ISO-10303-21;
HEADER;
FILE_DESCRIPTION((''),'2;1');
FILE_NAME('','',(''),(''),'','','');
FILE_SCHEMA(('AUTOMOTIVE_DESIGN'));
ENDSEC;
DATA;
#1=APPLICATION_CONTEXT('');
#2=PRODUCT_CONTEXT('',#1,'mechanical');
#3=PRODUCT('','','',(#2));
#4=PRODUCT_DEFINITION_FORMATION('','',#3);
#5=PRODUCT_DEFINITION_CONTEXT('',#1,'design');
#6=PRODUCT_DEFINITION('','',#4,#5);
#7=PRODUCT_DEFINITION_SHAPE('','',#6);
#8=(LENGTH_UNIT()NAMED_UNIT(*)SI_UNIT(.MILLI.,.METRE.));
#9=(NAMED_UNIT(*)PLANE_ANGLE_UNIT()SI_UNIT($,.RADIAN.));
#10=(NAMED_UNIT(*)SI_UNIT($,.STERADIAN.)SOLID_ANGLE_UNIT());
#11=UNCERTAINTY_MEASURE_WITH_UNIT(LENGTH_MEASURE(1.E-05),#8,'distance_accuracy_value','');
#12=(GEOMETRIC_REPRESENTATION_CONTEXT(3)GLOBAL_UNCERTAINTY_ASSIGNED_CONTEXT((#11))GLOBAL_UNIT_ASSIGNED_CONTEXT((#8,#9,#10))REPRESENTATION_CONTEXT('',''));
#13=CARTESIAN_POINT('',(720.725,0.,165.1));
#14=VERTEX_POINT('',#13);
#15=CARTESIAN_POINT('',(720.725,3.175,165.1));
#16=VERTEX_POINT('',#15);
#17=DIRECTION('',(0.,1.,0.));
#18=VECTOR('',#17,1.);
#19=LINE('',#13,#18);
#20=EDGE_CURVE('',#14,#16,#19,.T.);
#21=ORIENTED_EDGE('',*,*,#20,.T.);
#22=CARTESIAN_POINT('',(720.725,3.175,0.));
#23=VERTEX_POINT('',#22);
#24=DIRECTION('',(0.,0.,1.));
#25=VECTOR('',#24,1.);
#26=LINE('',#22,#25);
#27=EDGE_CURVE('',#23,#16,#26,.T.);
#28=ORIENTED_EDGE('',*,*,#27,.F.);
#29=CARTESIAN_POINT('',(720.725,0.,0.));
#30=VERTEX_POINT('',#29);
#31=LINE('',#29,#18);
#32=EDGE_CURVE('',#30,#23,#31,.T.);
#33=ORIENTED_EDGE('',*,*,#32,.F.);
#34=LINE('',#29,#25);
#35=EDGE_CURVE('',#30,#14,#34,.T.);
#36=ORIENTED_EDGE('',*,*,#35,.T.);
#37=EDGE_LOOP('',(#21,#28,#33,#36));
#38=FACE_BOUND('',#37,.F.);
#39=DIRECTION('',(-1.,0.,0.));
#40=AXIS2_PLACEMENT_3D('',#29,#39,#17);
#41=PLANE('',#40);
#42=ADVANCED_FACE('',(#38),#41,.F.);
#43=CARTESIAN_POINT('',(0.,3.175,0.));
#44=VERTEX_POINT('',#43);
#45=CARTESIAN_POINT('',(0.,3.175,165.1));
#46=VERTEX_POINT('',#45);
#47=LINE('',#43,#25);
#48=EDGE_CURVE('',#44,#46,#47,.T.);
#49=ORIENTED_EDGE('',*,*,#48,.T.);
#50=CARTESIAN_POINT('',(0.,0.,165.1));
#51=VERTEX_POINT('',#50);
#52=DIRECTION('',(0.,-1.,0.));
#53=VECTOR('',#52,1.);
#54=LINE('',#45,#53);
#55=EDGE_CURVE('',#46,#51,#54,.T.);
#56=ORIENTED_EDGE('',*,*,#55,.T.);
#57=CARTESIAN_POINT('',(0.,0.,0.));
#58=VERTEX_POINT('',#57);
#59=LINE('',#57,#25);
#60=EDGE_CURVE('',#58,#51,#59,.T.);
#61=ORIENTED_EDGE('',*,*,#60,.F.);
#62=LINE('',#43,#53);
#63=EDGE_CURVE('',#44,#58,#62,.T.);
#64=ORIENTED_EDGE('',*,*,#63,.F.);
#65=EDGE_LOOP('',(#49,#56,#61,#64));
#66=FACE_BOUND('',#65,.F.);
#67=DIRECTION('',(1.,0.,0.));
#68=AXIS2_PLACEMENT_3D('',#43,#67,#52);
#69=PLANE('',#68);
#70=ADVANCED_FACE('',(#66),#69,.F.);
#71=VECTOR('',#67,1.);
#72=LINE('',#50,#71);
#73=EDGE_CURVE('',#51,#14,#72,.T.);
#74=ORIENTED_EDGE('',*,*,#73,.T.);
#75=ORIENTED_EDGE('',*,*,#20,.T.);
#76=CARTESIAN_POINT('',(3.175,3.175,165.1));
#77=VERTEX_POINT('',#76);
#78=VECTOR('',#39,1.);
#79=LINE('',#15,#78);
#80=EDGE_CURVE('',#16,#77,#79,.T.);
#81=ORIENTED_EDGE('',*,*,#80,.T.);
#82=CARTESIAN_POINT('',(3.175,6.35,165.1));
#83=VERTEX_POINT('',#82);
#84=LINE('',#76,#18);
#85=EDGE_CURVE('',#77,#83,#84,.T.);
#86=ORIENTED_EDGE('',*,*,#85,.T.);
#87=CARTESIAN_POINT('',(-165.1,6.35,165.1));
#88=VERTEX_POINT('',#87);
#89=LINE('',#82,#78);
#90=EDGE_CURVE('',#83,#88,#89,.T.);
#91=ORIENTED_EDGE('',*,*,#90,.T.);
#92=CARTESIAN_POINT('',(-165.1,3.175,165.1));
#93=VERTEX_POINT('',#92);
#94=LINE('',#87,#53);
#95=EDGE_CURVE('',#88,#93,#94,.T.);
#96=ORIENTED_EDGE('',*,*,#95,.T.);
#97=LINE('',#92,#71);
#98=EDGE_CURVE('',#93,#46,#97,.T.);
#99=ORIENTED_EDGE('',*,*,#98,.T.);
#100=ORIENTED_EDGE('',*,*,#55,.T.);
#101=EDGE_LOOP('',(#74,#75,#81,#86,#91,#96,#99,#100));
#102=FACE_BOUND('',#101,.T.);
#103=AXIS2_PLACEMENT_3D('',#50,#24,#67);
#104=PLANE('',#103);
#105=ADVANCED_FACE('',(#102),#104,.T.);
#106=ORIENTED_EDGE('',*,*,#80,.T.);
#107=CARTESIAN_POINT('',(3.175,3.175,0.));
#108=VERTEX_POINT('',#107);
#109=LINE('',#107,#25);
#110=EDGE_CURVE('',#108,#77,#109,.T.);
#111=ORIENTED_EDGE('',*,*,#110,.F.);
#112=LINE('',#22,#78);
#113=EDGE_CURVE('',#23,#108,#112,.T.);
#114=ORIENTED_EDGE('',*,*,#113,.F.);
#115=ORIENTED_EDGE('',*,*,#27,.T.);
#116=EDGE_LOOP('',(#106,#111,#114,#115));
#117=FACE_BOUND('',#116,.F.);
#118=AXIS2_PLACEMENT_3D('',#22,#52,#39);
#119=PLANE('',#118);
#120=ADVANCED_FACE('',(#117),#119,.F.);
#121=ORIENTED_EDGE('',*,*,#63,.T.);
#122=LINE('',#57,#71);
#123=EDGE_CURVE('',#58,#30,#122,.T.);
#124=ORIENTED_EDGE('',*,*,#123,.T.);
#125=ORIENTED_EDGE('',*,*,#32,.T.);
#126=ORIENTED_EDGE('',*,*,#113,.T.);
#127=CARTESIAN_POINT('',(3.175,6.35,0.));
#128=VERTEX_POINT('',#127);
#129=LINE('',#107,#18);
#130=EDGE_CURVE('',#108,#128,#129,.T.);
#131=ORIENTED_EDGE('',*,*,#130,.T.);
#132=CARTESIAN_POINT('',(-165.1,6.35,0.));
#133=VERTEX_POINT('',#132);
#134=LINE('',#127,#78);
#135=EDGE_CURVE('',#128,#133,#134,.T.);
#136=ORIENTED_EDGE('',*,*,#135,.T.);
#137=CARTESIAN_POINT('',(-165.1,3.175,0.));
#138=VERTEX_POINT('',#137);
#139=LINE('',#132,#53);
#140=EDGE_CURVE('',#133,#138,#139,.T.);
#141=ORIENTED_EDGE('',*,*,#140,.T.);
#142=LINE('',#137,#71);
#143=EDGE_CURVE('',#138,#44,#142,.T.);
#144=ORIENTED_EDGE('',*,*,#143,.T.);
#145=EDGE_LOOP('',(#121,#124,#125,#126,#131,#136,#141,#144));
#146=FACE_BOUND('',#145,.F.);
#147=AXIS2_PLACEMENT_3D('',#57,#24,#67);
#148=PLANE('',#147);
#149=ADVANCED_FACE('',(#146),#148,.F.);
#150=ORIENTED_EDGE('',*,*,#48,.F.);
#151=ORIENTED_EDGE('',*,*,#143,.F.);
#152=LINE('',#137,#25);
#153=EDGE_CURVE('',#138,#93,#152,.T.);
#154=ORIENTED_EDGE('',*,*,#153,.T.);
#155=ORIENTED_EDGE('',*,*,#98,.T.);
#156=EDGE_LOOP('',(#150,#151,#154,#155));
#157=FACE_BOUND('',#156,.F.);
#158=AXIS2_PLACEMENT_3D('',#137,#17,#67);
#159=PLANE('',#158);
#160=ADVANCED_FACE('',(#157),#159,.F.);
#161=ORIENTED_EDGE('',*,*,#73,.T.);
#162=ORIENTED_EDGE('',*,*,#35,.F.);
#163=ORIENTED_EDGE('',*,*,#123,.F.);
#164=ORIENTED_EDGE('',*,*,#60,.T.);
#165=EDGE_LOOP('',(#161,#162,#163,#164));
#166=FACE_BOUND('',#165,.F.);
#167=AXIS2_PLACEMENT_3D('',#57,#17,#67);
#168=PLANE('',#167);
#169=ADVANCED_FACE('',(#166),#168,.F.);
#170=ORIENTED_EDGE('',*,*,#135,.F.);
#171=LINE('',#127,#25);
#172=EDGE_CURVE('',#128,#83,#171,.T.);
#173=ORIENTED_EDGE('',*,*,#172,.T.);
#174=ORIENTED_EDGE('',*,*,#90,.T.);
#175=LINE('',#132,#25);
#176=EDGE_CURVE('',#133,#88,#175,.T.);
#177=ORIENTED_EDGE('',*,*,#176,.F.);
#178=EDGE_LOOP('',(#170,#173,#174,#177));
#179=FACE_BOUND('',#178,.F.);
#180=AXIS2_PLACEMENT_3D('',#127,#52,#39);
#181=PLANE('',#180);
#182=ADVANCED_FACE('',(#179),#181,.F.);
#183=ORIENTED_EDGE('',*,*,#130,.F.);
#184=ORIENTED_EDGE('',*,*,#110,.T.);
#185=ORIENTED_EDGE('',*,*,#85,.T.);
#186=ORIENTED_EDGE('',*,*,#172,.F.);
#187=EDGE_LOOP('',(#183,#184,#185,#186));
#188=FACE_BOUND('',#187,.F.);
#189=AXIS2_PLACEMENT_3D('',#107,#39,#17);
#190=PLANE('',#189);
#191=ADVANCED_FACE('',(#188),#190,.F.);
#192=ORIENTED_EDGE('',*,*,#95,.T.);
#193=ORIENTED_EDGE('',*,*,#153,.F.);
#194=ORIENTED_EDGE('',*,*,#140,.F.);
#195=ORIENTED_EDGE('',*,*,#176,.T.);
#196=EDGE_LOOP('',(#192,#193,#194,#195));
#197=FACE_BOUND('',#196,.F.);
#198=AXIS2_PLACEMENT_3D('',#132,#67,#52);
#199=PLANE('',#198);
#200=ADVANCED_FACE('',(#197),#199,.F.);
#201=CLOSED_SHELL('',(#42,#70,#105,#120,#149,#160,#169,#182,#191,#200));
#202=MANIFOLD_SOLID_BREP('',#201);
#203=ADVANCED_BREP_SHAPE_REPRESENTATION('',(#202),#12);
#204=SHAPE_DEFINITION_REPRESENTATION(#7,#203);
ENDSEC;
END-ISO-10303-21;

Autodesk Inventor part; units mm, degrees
ref_plane "YZ Plane" through (0, 0, 0) normal (1, 0, 0) x (0, 1, 0)
ref_plane "XZ Plane" through (0, 0, 0) normal (0, 1, 0) x (-1, 0, 0)
ref_plane "XY Plane" through (0, 0, 0) normal (0, 0, 1) x (1, 0, 0)
sketch "Sketch1" plane through (0, 0, 0) normal (0, 0, 1) x (1, 0, 0)
  line L0 (0, 0) -> (720.725, 0)
  line L1 (720.725, 0) -> (720.725, 3.175)
  line L2 (720.725, 3.175) -> (3.175, 3.175)
  line L3 (3.175, 3.175) -> (3.175, 6.35)
  line L4 (3.175, 6.35) -> (-165.1, 6.35)
  line L5 (-165.1, 6.35) -> (-165.1, 3.175)
  line L6 (-165.1, 3.175) -> (0, 3.175)
  line L7 (0, 3.175) -> (0, 0)
  dimension "d0" = 165.1
  dimension "d1" = 3.175
  dimension "d2" = 3.175
  dimension "d3" = 3.175
  dimension "d4" = 3.175
  dimension "d10" = 720.725
extrude "Extrusion2" add sketch "Sketch1" along normal blind 165.1
properties part number "Starter_Shingle_With_Dimensions_6.5_x_35_Inches"
